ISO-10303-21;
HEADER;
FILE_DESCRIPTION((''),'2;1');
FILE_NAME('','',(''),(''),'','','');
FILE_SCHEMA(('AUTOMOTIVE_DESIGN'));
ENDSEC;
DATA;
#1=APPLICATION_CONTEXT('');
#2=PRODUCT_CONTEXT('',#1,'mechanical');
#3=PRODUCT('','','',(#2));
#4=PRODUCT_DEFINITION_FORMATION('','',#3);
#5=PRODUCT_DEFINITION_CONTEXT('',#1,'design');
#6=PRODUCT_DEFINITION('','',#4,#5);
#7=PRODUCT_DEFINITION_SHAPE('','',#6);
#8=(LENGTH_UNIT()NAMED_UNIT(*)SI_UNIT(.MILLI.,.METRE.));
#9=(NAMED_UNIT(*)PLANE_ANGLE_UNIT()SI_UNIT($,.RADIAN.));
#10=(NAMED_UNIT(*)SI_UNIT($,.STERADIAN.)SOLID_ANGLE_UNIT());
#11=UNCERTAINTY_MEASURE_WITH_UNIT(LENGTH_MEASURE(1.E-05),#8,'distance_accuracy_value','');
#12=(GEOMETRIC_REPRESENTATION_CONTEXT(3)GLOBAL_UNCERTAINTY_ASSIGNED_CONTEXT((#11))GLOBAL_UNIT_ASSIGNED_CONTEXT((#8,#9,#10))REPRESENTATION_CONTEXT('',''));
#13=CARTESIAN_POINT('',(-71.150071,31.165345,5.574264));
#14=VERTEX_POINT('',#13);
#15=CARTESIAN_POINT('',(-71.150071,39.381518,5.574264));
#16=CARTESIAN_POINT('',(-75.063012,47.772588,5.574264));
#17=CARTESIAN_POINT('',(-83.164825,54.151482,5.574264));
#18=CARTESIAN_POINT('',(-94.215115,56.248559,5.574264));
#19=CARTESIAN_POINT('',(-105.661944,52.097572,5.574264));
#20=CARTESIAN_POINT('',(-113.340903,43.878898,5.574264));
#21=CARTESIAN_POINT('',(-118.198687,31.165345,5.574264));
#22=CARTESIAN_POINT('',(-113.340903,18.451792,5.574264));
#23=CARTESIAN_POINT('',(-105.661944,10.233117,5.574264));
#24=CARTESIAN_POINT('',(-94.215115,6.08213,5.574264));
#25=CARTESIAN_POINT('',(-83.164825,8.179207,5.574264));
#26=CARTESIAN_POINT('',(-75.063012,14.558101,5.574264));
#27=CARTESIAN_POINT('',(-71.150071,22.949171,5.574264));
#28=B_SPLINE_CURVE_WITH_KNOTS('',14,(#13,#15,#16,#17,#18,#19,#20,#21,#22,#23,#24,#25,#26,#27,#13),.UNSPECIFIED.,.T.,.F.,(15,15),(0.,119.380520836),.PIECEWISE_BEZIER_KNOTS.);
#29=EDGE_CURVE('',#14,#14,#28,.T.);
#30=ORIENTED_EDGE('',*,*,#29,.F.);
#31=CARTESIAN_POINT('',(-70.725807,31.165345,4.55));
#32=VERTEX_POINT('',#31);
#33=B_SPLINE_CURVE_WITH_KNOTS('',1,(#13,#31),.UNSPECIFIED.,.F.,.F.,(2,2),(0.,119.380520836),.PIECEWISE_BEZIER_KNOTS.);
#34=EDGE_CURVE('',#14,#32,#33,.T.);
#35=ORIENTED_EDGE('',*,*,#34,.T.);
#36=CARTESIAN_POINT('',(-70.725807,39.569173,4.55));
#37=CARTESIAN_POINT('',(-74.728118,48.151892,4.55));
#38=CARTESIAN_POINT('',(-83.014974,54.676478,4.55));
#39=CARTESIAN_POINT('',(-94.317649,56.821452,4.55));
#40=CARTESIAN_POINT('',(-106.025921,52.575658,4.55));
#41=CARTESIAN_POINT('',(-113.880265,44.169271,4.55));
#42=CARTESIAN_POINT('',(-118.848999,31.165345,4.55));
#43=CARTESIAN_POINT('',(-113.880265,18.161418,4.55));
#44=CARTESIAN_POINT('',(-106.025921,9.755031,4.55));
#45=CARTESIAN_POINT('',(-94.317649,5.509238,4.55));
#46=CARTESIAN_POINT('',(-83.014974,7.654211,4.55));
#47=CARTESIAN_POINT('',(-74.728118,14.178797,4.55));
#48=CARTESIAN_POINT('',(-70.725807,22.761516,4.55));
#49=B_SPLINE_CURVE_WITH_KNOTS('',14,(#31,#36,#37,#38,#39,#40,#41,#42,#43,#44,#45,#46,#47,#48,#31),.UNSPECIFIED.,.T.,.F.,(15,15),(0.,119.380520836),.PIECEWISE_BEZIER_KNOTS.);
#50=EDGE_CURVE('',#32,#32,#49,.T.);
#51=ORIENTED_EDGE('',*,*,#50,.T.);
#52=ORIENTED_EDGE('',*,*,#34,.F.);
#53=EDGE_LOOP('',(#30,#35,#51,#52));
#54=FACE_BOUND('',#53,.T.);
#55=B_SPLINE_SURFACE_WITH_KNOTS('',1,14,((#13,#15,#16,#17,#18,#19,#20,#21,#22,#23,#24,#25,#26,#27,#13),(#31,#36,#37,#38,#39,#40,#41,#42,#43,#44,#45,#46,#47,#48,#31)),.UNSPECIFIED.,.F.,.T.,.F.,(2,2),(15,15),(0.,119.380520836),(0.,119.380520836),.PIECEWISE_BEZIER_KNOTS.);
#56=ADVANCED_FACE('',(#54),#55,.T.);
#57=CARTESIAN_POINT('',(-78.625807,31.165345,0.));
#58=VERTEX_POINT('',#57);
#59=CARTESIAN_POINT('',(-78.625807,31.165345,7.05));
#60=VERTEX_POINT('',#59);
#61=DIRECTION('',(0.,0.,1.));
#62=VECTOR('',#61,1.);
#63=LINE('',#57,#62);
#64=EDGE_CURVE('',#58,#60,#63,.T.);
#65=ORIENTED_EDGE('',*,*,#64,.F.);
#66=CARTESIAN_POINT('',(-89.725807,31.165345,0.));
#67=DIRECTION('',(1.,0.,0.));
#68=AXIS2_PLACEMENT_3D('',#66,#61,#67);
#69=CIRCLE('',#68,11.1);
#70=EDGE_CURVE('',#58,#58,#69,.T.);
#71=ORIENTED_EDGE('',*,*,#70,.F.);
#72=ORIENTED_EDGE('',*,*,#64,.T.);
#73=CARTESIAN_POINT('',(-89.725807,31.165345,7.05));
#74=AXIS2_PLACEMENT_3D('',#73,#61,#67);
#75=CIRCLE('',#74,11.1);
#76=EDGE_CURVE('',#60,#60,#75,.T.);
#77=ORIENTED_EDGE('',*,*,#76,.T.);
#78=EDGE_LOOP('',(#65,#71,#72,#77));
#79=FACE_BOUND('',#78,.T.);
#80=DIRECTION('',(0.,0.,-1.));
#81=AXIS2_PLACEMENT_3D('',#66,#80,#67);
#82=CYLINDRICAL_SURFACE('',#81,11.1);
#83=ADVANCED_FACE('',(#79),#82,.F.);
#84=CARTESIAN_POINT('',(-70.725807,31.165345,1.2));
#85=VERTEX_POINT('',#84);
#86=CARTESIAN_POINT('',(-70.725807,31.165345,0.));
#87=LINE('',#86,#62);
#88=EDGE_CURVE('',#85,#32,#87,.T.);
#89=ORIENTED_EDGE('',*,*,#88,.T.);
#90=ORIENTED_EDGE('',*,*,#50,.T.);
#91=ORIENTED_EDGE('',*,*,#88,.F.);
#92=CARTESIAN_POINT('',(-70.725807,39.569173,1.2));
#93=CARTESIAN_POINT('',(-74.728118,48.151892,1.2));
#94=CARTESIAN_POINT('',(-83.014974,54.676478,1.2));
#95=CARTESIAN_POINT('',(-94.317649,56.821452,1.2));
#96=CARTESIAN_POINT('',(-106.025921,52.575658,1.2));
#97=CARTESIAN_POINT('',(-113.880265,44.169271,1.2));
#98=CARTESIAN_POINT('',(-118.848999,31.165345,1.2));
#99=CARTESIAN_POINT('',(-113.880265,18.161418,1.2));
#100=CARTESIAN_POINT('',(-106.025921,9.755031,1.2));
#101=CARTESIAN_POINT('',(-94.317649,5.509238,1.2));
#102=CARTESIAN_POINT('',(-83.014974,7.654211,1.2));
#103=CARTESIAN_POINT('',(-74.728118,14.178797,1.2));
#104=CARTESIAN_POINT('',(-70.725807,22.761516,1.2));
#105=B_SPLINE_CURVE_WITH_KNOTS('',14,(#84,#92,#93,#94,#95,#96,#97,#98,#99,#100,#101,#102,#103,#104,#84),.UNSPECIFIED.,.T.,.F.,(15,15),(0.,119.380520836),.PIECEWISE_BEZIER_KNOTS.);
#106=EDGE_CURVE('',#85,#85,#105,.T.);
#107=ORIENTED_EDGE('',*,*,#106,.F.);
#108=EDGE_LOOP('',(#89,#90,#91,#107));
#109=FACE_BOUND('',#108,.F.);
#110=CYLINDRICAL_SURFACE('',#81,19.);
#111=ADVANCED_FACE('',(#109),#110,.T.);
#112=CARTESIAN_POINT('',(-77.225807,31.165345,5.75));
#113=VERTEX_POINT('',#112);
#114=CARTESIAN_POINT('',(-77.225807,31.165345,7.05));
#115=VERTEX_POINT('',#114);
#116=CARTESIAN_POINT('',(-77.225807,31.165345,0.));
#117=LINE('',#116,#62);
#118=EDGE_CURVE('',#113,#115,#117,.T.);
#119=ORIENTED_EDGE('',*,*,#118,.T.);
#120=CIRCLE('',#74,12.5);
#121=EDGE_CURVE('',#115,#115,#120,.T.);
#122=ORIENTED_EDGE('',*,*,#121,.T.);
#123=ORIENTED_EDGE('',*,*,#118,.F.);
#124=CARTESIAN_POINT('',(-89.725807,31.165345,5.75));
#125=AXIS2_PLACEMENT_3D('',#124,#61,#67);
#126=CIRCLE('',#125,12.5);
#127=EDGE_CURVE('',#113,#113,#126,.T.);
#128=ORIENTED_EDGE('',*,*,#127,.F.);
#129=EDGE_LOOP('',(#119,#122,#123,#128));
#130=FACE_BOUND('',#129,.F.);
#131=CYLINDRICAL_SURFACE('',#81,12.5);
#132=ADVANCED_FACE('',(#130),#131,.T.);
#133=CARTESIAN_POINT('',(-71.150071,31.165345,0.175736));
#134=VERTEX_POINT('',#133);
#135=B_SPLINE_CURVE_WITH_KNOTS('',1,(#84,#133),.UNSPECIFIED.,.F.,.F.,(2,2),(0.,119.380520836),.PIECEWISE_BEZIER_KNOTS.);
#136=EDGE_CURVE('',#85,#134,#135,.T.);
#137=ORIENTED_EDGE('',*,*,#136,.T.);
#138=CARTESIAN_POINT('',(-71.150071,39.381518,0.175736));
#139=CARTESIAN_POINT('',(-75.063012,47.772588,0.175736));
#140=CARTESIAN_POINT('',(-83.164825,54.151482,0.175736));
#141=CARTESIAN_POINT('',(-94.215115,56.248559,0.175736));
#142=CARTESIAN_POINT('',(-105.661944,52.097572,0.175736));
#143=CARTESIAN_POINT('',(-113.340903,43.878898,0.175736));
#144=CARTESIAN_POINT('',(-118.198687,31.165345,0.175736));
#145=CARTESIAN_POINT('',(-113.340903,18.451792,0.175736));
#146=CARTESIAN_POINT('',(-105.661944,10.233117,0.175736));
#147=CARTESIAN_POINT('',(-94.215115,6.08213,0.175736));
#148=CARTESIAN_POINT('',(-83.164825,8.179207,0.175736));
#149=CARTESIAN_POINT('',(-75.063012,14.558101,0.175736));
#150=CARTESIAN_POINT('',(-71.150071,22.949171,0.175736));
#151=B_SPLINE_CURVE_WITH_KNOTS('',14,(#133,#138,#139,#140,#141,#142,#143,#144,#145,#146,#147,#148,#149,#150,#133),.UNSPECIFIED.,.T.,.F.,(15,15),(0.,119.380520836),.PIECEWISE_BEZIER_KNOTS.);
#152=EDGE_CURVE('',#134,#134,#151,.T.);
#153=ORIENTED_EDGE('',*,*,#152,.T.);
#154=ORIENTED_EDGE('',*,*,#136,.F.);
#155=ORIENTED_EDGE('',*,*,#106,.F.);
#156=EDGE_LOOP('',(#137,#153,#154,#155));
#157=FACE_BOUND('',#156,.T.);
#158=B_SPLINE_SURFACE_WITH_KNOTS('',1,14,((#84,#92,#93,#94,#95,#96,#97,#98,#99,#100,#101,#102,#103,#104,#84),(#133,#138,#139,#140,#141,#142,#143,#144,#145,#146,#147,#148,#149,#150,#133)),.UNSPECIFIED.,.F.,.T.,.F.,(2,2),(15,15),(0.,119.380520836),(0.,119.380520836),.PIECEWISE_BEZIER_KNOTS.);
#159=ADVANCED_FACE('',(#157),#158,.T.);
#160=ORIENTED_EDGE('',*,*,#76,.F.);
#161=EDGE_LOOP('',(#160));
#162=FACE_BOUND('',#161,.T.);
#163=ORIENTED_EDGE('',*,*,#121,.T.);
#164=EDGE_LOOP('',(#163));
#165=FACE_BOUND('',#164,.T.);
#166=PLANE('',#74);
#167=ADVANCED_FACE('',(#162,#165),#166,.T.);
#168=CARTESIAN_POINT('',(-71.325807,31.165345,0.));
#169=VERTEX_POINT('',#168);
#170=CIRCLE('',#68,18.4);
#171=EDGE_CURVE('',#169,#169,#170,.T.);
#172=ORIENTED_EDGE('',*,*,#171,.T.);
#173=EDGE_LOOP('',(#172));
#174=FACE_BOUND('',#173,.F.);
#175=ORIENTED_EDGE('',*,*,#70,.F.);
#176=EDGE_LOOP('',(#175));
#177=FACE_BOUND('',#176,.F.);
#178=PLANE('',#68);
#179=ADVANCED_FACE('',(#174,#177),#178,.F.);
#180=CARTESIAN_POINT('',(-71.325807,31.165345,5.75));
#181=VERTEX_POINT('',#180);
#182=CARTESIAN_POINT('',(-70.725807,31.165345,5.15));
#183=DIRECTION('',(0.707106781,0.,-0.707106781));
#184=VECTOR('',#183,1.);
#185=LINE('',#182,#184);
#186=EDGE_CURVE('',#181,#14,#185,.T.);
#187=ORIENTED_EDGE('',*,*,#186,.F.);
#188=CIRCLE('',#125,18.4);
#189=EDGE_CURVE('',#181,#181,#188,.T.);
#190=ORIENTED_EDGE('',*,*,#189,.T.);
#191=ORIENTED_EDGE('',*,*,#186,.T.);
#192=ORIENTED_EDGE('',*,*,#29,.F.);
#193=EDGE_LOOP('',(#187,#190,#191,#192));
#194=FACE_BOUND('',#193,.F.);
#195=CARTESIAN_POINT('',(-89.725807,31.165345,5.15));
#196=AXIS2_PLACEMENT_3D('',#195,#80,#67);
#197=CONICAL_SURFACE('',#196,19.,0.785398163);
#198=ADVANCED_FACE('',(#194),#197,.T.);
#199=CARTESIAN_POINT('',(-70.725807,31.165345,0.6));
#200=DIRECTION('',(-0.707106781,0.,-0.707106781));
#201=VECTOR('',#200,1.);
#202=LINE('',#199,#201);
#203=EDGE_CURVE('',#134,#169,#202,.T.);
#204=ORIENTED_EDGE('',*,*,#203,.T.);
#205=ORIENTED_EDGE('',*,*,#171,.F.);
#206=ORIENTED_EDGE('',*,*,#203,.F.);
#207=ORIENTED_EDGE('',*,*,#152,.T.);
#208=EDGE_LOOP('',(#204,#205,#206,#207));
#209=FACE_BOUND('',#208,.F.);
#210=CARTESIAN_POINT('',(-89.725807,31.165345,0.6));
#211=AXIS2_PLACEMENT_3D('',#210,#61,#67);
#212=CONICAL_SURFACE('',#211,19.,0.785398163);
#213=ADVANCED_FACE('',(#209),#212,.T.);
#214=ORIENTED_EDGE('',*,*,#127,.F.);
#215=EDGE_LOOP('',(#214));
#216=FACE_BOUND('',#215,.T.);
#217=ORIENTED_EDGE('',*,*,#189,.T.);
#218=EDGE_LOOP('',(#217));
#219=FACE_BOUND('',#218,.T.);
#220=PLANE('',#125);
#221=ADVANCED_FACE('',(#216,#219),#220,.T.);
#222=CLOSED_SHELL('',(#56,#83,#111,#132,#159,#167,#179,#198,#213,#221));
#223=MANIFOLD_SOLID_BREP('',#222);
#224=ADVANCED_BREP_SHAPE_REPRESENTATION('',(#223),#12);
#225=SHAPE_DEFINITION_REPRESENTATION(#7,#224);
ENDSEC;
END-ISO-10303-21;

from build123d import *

# Parameters (mm, degrees)
F0_R     = 19
F0_R_2   = 12.5
F1_DEPTH = 5.75
F0_R_3   = 11.1
F2_DEPTH = 7.05
F3_SIZE  = 0.6
F4_SIZE  = 0.6


with BuildPart() as f1:
    # F0 (on Top) → F1 (new body)
    with BuildSketch(Plane.XY):
        with Locations((-89.7258073092, 31.1653446406)):
            Circle(F0_R)
        with Locations((-89.7258073092, 31.1653446406)):
            Circle(F0_R_2, mode=Mode.SUBTRACT)
    extrude(amount=F1_DEPTH)

    # F0 (on Top) → F2 (join)
    with BuildSketch(Plane.XY):
        with Locations((-89.7258073092, 31.1653446406)):
            Circle(F0_R_2)
        with Locations((-89.7258073092, 31.1653446406)):
            Circle(F0_R_3, mode=Mode.SUBTRACT)
    extrude(amount=F2_DEPTH)

    # F3
    f3_edges = [f1.edges().sort_by_distance(p)[0] for p in [
        (-108.725807, 31.165345, 5.75),
        (-108.725807, 31.165345, 0),
    ]]
    chamfer(f3_edges, length=F3_SIZE)

    # F4
    f4_edges = [f1.edges().sort_by_distance(p)[0] for p in [
        (-108.725807, 31.165345, 5.15),
        (-108.725807, 31.165345, 0.6),
    ]]
    chamfer(f4_edges, length=F4_SIZE)


solid = f1.part
